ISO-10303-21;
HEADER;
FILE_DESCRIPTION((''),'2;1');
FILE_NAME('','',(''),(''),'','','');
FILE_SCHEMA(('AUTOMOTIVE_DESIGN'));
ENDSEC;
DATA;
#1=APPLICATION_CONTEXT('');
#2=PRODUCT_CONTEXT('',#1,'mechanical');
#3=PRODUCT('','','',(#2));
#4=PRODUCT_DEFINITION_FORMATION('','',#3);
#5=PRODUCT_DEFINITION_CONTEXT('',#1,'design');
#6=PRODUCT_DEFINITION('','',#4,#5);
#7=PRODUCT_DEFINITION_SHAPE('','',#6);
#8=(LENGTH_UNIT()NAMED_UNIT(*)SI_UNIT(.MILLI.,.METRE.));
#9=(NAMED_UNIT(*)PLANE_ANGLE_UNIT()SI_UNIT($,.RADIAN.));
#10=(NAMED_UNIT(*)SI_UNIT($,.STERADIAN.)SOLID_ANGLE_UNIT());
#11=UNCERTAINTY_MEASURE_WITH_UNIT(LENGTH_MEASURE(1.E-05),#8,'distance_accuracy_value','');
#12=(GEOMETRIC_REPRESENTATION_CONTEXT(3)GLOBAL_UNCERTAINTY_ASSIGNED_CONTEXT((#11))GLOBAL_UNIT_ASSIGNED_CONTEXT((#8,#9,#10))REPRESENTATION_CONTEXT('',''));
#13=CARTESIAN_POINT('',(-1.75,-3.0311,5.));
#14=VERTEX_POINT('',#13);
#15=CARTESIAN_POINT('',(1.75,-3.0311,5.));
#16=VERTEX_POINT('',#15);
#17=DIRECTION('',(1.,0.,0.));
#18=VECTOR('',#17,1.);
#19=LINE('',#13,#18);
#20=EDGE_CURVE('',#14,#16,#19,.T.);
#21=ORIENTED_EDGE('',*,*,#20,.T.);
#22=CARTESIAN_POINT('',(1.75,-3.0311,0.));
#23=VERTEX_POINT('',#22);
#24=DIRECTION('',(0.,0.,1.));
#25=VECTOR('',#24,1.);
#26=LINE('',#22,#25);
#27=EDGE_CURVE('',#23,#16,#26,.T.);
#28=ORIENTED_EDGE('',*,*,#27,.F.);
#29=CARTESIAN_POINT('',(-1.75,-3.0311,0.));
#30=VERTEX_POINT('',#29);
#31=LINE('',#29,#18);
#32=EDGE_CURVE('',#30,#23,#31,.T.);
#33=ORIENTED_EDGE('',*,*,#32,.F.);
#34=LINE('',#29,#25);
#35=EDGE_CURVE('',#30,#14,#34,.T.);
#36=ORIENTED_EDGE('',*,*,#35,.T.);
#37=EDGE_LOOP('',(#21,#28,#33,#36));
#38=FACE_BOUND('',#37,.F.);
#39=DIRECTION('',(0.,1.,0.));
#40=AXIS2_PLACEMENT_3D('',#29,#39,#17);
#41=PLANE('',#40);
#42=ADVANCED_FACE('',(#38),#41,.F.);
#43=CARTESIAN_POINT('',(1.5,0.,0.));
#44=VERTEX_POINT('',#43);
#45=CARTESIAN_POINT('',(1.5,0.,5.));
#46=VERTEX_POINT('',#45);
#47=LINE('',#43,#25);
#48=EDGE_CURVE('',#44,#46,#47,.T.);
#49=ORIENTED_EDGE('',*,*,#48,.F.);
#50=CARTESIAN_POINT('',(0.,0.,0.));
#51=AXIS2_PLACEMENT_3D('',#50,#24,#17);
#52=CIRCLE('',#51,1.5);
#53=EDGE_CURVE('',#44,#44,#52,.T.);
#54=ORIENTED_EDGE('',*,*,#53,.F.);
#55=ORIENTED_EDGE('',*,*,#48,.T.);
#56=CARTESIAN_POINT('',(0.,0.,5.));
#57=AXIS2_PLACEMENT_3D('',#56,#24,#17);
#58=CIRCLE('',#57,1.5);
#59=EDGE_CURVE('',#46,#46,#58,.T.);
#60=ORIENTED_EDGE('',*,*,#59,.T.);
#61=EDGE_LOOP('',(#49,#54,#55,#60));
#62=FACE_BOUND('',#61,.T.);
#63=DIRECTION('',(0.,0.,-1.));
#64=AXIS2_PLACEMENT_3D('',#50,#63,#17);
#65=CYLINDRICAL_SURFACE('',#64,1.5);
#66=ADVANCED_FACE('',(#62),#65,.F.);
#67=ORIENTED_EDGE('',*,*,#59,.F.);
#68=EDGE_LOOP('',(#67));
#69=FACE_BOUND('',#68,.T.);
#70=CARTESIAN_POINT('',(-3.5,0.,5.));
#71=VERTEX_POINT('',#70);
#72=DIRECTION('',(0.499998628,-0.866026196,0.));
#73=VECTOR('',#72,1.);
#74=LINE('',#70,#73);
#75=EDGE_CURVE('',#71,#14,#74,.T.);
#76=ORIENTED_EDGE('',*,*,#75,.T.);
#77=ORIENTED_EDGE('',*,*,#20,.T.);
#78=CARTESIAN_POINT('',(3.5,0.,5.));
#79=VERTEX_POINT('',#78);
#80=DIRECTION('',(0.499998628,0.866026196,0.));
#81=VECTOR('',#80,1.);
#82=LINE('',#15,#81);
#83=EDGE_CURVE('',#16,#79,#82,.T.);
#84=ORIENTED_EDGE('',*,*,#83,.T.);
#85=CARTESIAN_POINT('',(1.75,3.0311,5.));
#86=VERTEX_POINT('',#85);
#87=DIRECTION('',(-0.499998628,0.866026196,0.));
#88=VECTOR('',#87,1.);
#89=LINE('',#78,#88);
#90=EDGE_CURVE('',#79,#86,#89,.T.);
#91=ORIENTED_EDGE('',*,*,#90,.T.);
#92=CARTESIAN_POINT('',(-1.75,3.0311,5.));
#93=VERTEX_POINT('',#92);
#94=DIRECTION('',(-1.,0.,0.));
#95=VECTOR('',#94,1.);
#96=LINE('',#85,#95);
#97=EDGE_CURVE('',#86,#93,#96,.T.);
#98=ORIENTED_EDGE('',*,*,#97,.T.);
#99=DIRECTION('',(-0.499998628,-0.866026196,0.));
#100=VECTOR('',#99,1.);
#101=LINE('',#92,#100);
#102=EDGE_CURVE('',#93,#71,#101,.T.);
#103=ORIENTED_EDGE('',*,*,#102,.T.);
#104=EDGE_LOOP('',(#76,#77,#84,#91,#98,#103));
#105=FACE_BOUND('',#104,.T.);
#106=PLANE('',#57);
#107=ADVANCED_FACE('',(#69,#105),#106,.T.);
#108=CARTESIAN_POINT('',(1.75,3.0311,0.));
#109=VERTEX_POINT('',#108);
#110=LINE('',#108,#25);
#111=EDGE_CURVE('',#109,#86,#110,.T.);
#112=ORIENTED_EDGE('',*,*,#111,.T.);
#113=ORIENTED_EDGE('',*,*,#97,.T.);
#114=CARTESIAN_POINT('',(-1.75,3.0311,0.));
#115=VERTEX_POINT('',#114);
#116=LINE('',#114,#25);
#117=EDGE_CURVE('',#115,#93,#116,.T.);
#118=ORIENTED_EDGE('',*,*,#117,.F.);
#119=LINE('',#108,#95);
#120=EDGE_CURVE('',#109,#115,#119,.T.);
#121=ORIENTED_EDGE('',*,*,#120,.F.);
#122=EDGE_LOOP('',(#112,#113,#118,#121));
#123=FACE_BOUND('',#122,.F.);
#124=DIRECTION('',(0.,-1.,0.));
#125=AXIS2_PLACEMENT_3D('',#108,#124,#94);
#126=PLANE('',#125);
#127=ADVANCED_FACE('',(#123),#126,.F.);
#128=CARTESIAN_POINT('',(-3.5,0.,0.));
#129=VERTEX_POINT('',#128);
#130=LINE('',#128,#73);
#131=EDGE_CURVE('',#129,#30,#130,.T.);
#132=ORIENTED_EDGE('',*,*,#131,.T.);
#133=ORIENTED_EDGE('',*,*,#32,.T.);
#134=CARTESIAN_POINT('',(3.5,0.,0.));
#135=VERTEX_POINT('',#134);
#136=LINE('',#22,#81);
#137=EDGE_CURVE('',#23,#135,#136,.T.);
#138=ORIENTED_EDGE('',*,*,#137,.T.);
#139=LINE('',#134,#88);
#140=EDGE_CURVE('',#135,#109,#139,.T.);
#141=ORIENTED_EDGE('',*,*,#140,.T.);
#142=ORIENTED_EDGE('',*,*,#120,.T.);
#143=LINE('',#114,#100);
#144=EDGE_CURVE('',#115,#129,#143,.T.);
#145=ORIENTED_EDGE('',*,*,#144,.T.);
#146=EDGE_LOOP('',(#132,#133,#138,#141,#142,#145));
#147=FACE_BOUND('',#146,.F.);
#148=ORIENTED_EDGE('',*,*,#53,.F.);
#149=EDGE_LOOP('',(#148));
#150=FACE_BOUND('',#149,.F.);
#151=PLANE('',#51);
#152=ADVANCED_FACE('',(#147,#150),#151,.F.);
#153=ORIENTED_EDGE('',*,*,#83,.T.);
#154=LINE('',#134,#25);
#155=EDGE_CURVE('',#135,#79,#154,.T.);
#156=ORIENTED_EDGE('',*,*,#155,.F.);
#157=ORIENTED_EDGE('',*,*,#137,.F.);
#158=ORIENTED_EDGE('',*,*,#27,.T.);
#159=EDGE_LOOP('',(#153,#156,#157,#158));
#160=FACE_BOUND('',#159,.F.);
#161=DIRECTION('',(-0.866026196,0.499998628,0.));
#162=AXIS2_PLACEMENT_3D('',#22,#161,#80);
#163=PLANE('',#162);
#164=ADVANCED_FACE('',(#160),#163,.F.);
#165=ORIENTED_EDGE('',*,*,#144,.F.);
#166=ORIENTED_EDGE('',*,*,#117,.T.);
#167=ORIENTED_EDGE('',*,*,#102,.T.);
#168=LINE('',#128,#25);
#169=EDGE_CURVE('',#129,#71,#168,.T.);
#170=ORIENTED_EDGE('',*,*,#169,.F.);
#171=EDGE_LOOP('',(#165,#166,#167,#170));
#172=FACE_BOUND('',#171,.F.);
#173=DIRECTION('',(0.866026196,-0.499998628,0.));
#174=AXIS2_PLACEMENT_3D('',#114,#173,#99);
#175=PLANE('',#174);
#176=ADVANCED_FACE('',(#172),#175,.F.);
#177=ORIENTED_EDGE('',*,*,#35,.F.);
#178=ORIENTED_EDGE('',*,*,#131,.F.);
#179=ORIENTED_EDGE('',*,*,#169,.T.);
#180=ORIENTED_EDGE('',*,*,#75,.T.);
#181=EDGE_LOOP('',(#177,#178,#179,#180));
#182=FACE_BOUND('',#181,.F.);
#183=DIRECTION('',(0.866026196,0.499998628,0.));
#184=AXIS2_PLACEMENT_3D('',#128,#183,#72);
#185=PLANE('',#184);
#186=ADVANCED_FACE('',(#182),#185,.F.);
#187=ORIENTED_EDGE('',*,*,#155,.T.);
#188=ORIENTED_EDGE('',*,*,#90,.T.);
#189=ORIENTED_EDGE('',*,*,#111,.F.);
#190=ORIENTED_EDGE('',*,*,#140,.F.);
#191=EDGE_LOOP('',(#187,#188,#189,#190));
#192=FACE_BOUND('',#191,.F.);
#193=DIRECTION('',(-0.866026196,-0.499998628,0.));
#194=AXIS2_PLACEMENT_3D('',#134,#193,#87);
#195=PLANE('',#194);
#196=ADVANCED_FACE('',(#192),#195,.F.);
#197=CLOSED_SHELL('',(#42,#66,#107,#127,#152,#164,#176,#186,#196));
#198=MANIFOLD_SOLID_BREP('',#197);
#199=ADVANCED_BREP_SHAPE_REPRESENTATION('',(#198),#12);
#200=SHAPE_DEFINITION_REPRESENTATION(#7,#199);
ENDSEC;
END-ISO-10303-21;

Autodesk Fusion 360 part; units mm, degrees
sketch "スケッチ1" plane through (0, 0, 0) normal (0, 0, 1) x (1, 0, 0)
  line L0 (3.5, 0) -> (1.75, 3.0311)
  line L1 (1.75, 3.0311) -> (-1.75, 3.0311)
  line L2 (-1.75, 3.0311) -> (-3.5, 0)
  line L3 (-3.5, 0) -> (-1.75, -3.0311)
  line L4 (-1.75, -3.0311) -> (1.75, -3.0311)
  line L5 (1.75, -3.0311) -> (3.5, 0)
  circle A0 centre (0, 0) radius 1.5
  dimension "d1" = 3
extrude "押し出し1" add sketch "スケッチ1" along normal blind 10
extrude "押し出し2" cut 1 faces at (-0.0374, 2.5193, 10) along direction (0, 0, -1) blind 5
